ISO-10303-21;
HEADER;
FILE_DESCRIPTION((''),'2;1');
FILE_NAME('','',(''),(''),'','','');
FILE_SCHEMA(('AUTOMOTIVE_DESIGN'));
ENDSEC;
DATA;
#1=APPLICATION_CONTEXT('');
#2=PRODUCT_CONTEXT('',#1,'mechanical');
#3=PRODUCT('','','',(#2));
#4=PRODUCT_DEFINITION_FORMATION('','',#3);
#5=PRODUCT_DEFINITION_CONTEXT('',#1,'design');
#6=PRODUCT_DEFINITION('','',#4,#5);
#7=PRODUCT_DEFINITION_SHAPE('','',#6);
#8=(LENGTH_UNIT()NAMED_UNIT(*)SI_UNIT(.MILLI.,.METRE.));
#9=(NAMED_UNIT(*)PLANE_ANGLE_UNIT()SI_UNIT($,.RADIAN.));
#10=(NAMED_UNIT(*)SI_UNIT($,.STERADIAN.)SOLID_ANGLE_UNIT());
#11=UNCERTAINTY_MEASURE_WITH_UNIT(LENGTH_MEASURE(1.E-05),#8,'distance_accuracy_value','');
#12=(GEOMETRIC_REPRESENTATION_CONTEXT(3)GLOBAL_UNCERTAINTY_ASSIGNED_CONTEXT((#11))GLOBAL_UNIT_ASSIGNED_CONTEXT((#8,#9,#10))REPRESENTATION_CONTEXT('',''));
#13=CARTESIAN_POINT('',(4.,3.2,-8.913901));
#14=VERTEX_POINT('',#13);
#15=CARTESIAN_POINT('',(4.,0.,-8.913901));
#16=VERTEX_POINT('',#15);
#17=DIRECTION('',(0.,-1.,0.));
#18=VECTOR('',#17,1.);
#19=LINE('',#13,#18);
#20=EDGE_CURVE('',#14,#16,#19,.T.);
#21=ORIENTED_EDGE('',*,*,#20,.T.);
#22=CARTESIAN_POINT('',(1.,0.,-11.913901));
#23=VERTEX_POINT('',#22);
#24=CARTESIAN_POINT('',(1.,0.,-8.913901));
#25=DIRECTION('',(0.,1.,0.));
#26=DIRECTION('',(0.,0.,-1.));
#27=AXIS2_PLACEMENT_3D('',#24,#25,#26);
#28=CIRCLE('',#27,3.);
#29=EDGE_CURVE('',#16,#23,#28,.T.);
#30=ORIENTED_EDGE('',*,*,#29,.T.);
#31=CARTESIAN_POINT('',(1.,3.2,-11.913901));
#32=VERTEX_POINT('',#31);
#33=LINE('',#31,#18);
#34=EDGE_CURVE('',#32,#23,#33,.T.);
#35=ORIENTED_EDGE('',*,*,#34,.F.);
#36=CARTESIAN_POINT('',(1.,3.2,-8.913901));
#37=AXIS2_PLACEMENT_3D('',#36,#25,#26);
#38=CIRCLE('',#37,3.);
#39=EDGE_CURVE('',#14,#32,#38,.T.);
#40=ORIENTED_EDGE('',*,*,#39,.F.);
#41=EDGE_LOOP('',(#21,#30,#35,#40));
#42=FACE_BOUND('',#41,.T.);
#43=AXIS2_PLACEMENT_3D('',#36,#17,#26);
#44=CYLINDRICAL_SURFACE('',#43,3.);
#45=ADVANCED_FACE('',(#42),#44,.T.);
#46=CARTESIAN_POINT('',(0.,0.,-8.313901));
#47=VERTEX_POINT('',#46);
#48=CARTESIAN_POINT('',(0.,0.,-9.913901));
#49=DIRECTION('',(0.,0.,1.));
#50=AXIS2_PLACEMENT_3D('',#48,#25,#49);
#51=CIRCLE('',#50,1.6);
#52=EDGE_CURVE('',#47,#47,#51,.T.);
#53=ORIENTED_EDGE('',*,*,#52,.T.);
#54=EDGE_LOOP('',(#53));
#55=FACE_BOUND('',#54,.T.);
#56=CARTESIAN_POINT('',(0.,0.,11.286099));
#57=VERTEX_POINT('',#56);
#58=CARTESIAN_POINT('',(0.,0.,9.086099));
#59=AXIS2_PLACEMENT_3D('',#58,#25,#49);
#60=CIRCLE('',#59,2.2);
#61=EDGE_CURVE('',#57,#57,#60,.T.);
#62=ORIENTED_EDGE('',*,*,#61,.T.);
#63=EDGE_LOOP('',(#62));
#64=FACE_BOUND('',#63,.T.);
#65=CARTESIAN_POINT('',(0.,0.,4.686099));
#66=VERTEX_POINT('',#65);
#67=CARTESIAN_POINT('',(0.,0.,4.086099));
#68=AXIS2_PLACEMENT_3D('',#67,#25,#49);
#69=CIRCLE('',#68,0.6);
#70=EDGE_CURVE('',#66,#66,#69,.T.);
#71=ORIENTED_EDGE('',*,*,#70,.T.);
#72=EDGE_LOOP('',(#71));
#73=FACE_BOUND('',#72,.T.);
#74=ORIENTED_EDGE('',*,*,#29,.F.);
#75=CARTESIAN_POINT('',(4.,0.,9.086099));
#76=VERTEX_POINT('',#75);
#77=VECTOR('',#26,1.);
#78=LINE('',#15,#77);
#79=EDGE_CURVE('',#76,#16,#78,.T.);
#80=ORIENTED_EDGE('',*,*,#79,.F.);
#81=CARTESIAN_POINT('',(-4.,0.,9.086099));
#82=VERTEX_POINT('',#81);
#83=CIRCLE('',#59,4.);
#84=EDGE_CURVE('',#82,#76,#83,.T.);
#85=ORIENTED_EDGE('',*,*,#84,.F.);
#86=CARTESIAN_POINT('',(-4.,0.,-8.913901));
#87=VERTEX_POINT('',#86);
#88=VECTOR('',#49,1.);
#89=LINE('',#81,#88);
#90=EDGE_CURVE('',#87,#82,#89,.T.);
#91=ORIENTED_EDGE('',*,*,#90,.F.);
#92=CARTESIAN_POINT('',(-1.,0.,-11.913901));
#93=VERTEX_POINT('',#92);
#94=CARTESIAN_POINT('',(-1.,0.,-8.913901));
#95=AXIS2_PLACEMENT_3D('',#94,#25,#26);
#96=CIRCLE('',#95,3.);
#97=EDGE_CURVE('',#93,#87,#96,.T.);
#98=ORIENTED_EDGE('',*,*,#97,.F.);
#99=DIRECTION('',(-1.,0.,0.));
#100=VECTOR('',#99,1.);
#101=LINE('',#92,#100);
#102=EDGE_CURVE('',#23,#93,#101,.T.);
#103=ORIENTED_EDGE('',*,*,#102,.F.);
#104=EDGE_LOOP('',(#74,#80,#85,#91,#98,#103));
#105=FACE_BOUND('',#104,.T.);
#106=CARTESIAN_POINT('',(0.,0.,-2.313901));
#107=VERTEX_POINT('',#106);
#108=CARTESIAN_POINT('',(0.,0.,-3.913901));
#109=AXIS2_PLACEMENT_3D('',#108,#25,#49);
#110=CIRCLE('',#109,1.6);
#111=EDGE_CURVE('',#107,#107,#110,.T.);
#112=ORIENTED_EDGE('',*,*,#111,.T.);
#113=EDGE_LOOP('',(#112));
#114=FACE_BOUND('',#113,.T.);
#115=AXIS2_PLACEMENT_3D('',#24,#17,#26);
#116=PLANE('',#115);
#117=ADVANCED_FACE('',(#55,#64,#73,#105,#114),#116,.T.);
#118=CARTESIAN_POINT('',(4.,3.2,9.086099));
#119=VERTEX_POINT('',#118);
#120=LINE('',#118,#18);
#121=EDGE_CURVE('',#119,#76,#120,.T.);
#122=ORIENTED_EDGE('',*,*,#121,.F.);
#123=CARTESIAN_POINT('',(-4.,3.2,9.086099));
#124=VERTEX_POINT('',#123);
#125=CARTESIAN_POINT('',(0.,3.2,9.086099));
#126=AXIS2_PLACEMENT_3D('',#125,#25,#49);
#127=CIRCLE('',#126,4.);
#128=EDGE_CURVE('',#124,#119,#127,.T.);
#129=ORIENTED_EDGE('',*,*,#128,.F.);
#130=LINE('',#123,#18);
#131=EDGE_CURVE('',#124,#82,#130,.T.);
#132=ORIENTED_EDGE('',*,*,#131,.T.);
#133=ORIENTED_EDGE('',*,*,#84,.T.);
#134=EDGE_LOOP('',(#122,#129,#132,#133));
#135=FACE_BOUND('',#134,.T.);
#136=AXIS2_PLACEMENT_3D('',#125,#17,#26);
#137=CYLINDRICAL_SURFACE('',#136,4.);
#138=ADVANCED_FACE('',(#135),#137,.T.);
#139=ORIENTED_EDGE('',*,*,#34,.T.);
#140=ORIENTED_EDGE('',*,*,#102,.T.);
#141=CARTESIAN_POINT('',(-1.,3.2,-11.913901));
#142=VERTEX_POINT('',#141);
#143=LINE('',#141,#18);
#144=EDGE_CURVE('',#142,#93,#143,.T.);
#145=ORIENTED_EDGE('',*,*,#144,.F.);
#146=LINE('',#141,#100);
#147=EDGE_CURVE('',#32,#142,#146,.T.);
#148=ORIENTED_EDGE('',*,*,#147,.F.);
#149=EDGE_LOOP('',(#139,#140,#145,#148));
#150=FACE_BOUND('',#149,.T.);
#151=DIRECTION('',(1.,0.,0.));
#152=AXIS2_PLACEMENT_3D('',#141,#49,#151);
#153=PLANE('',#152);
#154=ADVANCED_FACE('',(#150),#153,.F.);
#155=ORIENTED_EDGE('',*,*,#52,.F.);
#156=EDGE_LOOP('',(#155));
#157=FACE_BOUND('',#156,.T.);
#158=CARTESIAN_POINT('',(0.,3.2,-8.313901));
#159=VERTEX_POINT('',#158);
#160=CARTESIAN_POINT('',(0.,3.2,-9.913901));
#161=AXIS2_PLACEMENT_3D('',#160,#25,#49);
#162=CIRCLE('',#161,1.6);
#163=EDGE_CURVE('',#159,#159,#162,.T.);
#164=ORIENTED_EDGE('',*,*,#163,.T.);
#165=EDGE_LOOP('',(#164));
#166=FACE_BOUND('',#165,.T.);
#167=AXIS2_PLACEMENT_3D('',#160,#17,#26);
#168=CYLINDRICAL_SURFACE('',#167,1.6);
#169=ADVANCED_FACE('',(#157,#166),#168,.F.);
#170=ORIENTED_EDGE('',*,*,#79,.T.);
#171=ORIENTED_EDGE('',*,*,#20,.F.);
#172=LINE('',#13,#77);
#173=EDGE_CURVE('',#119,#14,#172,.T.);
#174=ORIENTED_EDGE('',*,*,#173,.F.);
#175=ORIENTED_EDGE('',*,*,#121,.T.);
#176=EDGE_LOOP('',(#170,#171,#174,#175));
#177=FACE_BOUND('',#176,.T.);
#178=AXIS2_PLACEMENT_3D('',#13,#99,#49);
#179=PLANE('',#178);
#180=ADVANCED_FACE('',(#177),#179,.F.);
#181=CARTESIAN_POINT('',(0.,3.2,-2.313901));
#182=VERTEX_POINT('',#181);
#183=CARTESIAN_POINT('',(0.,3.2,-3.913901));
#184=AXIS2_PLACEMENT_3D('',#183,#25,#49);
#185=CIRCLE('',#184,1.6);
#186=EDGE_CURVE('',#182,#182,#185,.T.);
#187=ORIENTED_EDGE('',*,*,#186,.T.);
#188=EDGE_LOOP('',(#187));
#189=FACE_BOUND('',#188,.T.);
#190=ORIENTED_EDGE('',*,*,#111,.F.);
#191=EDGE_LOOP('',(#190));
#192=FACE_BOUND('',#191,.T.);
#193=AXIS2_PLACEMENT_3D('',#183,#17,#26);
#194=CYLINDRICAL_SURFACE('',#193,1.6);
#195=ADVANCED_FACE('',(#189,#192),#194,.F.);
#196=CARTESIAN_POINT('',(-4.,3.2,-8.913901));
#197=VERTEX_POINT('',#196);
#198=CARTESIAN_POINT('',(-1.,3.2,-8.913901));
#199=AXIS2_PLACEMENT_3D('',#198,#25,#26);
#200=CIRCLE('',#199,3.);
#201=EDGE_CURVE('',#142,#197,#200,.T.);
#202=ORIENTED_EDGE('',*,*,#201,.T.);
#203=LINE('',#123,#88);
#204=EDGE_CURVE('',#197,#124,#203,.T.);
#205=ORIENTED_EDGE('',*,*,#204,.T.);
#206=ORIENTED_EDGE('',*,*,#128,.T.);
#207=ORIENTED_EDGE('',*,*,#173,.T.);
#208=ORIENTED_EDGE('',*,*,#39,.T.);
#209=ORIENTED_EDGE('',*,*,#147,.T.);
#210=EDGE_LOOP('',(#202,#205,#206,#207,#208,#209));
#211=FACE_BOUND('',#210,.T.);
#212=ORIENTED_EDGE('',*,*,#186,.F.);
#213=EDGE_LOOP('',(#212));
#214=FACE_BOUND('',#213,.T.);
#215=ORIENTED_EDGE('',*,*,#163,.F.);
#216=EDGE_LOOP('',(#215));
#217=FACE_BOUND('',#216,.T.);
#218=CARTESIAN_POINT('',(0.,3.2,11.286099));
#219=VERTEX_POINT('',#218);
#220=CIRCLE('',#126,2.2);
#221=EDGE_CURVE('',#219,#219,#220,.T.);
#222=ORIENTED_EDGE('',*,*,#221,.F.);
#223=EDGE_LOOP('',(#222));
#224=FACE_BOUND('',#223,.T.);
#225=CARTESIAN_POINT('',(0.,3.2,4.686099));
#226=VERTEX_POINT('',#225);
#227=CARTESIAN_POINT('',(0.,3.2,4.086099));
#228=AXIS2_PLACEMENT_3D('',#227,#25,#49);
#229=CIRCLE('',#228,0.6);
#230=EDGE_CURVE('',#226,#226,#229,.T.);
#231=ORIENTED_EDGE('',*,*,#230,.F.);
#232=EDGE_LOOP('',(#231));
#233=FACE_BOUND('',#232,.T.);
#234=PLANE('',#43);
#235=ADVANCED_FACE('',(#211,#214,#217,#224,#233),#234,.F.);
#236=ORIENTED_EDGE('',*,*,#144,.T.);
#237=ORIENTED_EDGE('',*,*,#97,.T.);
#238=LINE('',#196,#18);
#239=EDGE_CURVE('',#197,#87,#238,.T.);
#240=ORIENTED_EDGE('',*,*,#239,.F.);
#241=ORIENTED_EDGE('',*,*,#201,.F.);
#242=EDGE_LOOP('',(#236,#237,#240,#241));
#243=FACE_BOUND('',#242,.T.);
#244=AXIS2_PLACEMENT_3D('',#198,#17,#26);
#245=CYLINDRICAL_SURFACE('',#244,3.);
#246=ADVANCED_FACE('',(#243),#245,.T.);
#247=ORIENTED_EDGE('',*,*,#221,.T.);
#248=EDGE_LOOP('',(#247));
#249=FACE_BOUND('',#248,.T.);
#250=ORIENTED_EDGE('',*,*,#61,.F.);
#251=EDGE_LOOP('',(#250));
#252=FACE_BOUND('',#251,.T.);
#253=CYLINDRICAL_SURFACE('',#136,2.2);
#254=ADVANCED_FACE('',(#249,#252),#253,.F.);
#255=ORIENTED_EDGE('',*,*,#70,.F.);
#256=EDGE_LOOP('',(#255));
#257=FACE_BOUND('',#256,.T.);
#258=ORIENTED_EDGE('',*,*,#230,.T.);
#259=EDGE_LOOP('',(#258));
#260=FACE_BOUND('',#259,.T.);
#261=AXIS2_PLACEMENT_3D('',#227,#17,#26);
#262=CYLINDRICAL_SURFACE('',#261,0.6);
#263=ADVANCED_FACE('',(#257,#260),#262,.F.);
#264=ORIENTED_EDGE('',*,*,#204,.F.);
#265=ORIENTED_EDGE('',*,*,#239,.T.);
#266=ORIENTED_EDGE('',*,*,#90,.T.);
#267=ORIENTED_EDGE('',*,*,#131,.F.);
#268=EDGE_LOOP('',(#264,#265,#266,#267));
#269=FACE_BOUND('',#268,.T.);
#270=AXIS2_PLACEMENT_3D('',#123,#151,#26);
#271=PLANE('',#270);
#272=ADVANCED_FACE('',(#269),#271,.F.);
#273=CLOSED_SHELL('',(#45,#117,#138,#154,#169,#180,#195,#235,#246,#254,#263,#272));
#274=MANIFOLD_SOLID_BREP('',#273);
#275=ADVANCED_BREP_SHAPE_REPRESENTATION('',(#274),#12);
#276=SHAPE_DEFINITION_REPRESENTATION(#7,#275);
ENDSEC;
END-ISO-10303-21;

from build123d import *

# Parameters (mm, degrees)
SKETCH_1_R      = 1.6
SKETCH_1_R_2    = 2.2
SKETCH_1_R_3    = 0.6
EXTRUDE_1_DEPTH = 3.2


with BuildPart() as part:
    # 草图1 → 凸台-拉伸1 (new body)
    with BuildSketch(Plane(origin=(0, 0, 0), x_dir=(1, 0, 0), z_dir=(0, 1, 0))):
        with BuildLine():
            Line((-4, -9.086098517), (-4, 8.913901483))
            ThreePointArc((-4, 8.913901483), (-3.121320344, 11.035221826), (-1, 11.913901483))
            Line((-1, 11.913901483), (1, 11.913901483))
            ThreePointArc((1, 11.913901483), (3.121320344, 11.035221826), (4, 8.913901483))
            Line((4, 8.913901483), (4, -9.086098517))
            ThreePointArc((4, -9.086098517), (0, -13.086098517), (-4, -9.086098517))
        make_face()
        with Locations(Location((0, 9.913901483, 0), (0, 0, 270))):
            Circle(SKETCH_1_R, mode=Mode.SUBTRACT)
        with Locations(Location((0, -9.086098517, 0), (0, 0, 270))):
            Circle(SKETCH_1_R_2, mode=Mode.SUBTRACT)
        with Locations(Location((0, 3.913901483, 0), (0, 0, 270))):
            Circle(SKETCH_1_R, mode=Mode.SUBTRACT)
        with Locations(Location((0, -4.086098517, 0), (0, 0, 270))):
            Circle(SKETCH_1_R_3, mode=Mode.SUBTRACT)
    extrude(amount=EXTRUDE_1_DEPTH)


solid = part.part
